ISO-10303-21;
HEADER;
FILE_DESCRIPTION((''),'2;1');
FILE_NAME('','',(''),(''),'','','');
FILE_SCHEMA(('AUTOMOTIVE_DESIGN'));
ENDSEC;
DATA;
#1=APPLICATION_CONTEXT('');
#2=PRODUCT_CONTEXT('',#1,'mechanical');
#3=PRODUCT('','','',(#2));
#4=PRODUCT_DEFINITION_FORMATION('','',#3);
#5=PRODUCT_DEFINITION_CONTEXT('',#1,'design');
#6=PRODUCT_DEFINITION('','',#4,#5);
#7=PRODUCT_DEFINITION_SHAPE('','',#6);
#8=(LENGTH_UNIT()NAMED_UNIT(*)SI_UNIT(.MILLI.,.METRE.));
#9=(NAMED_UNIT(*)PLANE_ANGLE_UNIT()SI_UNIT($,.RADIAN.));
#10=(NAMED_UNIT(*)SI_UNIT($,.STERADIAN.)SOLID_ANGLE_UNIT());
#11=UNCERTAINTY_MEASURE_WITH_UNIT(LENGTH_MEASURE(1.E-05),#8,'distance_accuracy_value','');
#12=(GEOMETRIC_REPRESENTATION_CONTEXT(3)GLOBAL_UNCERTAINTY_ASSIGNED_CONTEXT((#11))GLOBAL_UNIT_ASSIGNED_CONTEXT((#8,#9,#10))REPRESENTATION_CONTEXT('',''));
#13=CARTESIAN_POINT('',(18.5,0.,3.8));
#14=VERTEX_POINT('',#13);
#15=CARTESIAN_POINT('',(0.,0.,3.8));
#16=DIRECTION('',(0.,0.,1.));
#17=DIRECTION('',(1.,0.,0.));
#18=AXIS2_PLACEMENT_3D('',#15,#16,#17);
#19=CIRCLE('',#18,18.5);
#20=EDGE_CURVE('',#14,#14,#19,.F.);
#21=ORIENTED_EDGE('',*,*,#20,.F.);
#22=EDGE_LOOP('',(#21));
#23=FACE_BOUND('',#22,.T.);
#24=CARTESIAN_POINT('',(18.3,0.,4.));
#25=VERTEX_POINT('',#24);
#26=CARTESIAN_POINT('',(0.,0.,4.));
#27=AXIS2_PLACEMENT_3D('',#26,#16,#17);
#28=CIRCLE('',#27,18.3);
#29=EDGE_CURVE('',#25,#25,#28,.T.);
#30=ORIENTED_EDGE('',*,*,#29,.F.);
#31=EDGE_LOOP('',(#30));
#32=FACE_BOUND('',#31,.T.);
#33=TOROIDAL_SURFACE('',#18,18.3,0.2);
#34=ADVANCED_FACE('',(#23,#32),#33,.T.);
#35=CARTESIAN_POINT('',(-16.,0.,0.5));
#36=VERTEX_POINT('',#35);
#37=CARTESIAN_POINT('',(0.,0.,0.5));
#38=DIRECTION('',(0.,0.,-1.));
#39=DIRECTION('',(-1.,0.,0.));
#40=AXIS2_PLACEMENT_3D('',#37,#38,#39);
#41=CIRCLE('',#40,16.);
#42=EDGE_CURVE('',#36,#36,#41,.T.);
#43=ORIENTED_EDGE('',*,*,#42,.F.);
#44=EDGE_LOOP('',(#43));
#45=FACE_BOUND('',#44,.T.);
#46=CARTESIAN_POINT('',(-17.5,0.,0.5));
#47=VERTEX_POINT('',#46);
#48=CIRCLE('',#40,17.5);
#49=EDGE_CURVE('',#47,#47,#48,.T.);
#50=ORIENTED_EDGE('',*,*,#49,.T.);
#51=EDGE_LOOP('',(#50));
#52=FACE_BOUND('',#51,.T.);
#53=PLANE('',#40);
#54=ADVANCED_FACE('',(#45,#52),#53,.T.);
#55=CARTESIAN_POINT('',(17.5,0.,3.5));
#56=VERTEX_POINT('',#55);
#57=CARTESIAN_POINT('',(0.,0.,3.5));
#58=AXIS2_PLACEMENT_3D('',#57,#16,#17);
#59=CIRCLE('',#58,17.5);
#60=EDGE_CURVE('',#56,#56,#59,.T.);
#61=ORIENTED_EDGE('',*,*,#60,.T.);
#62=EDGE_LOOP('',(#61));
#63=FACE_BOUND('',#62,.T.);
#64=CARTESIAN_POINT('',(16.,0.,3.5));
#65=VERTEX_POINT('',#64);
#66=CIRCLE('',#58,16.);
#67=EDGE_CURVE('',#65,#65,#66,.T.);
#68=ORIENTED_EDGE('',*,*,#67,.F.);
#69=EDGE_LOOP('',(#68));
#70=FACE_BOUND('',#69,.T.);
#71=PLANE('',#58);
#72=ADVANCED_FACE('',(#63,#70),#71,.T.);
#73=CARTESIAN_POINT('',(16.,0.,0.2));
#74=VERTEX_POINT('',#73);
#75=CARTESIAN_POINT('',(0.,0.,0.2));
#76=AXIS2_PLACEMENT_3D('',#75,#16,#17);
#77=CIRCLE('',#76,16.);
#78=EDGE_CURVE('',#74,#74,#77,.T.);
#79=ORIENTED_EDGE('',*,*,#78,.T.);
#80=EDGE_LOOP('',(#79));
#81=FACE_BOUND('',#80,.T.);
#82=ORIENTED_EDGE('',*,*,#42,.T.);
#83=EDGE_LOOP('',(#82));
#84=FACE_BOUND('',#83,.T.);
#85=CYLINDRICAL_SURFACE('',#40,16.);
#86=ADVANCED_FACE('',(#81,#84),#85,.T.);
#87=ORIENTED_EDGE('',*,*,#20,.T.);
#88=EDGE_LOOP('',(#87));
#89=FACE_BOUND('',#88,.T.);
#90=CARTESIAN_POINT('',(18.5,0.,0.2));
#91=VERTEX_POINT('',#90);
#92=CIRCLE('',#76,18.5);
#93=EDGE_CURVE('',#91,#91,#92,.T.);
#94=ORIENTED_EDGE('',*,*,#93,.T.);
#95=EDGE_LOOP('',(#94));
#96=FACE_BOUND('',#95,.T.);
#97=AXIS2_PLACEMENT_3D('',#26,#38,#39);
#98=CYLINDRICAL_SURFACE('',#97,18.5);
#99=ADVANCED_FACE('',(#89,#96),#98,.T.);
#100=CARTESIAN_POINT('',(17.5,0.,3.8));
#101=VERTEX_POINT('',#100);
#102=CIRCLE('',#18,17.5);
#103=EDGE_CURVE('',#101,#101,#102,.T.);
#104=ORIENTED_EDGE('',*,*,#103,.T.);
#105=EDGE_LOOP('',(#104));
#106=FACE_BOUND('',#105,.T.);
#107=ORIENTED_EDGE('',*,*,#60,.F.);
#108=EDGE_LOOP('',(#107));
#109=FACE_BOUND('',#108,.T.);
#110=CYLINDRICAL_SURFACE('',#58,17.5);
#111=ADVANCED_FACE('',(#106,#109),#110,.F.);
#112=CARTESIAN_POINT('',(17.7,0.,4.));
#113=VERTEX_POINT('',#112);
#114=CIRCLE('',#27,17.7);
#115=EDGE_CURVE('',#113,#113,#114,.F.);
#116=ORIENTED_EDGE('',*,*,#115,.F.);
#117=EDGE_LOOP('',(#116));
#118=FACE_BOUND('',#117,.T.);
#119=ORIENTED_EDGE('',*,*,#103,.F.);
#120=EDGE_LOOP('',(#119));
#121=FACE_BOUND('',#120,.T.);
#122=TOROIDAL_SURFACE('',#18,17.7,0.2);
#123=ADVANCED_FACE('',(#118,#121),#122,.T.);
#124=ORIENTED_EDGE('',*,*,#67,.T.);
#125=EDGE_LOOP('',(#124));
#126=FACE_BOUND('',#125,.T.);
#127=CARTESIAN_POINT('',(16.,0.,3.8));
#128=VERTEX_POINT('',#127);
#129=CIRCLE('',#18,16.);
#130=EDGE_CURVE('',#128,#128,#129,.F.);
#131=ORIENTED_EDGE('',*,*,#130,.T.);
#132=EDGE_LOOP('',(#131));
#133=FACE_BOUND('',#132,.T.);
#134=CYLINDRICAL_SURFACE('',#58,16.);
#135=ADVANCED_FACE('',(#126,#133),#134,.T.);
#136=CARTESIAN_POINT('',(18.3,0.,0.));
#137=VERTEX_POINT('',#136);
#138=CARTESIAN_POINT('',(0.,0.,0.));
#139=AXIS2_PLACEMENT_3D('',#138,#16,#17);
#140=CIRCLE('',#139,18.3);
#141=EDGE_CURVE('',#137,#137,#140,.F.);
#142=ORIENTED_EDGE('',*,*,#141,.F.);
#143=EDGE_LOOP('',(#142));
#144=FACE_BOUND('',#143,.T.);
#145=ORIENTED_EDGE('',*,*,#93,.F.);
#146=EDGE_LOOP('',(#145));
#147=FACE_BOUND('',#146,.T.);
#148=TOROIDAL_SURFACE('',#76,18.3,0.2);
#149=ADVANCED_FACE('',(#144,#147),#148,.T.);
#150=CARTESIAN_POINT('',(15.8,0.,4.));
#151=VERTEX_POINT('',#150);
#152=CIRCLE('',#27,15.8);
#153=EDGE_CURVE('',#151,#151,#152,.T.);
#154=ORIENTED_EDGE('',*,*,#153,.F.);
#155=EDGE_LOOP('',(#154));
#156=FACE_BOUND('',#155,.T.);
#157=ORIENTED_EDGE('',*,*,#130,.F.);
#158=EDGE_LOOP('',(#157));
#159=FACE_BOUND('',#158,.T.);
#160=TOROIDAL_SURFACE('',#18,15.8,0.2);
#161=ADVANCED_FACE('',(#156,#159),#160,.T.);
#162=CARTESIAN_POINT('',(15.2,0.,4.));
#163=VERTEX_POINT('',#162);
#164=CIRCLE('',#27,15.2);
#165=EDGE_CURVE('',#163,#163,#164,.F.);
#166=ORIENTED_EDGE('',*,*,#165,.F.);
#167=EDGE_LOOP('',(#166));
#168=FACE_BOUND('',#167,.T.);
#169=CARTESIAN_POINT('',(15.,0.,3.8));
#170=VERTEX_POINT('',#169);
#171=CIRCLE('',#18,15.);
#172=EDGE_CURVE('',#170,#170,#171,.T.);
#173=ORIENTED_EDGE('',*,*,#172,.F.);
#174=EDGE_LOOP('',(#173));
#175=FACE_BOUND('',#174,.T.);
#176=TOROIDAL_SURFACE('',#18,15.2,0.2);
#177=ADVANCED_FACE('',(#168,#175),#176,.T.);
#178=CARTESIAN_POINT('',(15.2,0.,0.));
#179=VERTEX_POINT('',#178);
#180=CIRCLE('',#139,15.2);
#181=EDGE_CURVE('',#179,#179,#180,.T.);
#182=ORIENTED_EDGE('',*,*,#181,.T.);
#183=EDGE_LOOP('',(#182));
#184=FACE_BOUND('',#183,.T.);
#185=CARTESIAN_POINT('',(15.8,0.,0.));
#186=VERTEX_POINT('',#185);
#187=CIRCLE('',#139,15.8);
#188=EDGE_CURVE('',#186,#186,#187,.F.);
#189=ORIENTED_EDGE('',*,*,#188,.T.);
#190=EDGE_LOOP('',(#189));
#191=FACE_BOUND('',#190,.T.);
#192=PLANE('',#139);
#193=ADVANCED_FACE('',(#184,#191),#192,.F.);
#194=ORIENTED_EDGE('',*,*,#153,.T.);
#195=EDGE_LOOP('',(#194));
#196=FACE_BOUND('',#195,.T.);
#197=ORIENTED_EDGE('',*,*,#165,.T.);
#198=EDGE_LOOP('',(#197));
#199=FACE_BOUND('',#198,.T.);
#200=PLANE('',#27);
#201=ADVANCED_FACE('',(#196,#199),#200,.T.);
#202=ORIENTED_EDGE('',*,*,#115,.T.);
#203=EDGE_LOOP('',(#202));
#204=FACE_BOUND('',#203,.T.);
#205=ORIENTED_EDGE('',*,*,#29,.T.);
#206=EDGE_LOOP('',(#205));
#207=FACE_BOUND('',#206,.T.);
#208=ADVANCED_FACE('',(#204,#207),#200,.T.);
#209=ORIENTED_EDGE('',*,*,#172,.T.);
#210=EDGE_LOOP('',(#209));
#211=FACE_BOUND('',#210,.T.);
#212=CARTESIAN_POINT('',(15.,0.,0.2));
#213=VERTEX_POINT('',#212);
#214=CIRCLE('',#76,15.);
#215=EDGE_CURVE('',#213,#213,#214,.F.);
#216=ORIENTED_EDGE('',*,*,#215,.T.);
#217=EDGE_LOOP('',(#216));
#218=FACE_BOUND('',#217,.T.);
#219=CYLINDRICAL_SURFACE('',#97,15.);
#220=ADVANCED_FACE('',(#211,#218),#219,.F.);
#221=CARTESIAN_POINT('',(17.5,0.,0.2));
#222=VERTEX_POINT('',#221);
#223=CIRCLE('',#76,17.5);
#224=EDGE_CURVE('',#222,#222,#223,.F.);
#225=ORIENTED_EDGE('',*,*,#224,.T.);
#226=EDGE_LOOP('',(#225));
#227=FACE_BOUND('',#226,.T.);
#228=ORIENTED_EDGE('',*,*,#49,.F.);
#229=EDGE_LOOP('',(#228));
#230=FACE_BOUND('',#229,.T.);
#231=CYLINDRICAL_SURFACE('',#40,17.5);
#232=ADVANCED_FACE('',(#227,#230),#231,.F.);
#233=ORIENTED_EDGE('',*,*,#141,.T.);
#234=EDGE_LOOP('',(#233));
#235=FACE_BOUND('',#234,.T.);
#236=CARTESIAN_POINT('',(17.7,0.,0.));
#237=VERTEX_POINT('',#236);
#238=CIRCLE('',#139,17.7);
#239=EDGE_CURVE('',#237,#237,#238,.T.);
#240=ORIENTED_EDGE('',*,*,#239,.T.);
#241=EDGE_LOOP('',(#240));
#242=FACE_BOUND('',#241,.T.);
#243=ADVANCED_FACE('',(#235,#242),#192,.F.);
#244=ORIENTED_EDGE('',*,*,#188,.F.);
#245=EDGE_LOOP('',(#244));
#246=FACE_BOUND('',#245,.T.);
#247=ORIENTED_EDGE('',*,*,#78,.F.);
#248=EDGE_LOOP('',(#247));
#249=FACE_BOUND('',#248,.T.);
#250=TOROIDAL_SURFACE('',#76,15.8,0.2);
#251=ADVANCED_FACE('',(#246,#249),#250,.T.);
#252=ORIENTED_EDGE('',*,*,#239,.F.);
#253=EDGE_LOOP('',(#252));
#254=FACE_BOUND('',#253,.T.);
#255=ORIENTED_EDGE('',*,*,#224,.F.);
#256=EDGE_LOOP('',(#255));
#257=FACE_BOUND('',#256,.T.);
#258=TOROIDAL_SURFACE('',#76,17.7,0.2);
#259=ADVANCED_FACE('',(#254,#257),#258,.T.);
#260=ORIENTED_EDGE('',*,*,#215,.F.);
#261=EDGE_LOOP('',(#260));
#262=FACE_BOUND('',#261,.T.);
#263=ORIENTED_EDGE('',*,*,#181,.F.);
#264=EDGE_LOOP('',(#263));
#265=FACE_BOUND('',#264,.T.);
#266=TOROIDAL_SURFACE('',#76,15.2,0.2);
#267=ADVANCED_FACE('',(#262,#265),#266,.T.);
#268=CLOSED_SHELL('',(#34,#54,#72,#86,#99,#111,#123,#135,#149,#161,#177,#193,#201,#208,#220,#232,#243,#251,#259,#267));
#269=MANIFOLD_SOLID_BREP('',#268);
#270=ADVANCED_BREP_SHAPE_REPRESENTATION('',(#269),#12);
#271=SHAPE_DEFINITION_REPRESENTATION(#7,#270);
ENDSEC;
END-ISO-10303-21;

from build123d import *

# Parameters (mm, degrees)
SKETCH1_R          = 18.5
SKETCH1_R_2        = 15
EXTRUDE1_DEPTH     = 4
SKETCH2_R          = 17.5
SKETCH2_R_2        = 16
CUT_EXTRUDE1_DEPTH = 0.5
CUT_EXTRUDE2_START = -0.5
SKETCH3_R          = 17.5
SKETCH3_R_2        = 16
CUT_EXTRUDE2_DEPTH = 0.5
FILLET1_R          = 0.2


with BuildPart() as part:
    # Sketch1 → Extrude1 (new body)
    with BuildSketch(Plane.XY):
        Circle(SKETCH1_R)
        Circle(SKETCH1_R_2, mode=Mode.SUBTRACT)
    extrude(amount=EXTRUDE1_DEPTH)

    # Sketch2 → Cut-Extrude1 (cut)
    with BuildSketch(Plane.XY.offset(4)):
        Circle(SKETCH2_R)
        Circle(SKETCH2_R_2, mode=Mode.SUBTRACT)
    extrude(amount=-CUT_EXTRUDE1_DEPTH, mode=Mode.SUBTRACT)

    # Sketch3 → Cut-Extrude2 (cut)
    with BuildSketch(Plane(origin=(0, 0, 0), x_dir=(-1, 0, 0), z_dir=(0, 0, -1)).offset(CUT_EXTRUDE2_START)):
        with Locations(Location((0, 0, 0), (0, 0, 180))):
            Circle(SKETCH3_R)
        with Locations(Location((0, 0, 0), (0, 0, 180))):
            Circle(SKETCH3_R_2, mode=Mode.SUBTRACT)
    extrude(amount=CUT_EXTRUDE2_DEPTH, mode=Mode.SUBTRACT)

    # Fillet1
    fillet1_edges = [part.edges().sort_by_distance(p)[0] for p in [
        (-17.5, 0, 4),
        (-16, 0, 4),
        (-18.5, 0, 0),
        (-17.5, 0, 0),
        (-16, 0, 0),
        (-18.5, 0, 4),
        (-15, 0, 0),
        (-15, 0, 4),
    ]]
    fillet(fillet1_edges, radius=FILLET1_R)


solid = part.part
